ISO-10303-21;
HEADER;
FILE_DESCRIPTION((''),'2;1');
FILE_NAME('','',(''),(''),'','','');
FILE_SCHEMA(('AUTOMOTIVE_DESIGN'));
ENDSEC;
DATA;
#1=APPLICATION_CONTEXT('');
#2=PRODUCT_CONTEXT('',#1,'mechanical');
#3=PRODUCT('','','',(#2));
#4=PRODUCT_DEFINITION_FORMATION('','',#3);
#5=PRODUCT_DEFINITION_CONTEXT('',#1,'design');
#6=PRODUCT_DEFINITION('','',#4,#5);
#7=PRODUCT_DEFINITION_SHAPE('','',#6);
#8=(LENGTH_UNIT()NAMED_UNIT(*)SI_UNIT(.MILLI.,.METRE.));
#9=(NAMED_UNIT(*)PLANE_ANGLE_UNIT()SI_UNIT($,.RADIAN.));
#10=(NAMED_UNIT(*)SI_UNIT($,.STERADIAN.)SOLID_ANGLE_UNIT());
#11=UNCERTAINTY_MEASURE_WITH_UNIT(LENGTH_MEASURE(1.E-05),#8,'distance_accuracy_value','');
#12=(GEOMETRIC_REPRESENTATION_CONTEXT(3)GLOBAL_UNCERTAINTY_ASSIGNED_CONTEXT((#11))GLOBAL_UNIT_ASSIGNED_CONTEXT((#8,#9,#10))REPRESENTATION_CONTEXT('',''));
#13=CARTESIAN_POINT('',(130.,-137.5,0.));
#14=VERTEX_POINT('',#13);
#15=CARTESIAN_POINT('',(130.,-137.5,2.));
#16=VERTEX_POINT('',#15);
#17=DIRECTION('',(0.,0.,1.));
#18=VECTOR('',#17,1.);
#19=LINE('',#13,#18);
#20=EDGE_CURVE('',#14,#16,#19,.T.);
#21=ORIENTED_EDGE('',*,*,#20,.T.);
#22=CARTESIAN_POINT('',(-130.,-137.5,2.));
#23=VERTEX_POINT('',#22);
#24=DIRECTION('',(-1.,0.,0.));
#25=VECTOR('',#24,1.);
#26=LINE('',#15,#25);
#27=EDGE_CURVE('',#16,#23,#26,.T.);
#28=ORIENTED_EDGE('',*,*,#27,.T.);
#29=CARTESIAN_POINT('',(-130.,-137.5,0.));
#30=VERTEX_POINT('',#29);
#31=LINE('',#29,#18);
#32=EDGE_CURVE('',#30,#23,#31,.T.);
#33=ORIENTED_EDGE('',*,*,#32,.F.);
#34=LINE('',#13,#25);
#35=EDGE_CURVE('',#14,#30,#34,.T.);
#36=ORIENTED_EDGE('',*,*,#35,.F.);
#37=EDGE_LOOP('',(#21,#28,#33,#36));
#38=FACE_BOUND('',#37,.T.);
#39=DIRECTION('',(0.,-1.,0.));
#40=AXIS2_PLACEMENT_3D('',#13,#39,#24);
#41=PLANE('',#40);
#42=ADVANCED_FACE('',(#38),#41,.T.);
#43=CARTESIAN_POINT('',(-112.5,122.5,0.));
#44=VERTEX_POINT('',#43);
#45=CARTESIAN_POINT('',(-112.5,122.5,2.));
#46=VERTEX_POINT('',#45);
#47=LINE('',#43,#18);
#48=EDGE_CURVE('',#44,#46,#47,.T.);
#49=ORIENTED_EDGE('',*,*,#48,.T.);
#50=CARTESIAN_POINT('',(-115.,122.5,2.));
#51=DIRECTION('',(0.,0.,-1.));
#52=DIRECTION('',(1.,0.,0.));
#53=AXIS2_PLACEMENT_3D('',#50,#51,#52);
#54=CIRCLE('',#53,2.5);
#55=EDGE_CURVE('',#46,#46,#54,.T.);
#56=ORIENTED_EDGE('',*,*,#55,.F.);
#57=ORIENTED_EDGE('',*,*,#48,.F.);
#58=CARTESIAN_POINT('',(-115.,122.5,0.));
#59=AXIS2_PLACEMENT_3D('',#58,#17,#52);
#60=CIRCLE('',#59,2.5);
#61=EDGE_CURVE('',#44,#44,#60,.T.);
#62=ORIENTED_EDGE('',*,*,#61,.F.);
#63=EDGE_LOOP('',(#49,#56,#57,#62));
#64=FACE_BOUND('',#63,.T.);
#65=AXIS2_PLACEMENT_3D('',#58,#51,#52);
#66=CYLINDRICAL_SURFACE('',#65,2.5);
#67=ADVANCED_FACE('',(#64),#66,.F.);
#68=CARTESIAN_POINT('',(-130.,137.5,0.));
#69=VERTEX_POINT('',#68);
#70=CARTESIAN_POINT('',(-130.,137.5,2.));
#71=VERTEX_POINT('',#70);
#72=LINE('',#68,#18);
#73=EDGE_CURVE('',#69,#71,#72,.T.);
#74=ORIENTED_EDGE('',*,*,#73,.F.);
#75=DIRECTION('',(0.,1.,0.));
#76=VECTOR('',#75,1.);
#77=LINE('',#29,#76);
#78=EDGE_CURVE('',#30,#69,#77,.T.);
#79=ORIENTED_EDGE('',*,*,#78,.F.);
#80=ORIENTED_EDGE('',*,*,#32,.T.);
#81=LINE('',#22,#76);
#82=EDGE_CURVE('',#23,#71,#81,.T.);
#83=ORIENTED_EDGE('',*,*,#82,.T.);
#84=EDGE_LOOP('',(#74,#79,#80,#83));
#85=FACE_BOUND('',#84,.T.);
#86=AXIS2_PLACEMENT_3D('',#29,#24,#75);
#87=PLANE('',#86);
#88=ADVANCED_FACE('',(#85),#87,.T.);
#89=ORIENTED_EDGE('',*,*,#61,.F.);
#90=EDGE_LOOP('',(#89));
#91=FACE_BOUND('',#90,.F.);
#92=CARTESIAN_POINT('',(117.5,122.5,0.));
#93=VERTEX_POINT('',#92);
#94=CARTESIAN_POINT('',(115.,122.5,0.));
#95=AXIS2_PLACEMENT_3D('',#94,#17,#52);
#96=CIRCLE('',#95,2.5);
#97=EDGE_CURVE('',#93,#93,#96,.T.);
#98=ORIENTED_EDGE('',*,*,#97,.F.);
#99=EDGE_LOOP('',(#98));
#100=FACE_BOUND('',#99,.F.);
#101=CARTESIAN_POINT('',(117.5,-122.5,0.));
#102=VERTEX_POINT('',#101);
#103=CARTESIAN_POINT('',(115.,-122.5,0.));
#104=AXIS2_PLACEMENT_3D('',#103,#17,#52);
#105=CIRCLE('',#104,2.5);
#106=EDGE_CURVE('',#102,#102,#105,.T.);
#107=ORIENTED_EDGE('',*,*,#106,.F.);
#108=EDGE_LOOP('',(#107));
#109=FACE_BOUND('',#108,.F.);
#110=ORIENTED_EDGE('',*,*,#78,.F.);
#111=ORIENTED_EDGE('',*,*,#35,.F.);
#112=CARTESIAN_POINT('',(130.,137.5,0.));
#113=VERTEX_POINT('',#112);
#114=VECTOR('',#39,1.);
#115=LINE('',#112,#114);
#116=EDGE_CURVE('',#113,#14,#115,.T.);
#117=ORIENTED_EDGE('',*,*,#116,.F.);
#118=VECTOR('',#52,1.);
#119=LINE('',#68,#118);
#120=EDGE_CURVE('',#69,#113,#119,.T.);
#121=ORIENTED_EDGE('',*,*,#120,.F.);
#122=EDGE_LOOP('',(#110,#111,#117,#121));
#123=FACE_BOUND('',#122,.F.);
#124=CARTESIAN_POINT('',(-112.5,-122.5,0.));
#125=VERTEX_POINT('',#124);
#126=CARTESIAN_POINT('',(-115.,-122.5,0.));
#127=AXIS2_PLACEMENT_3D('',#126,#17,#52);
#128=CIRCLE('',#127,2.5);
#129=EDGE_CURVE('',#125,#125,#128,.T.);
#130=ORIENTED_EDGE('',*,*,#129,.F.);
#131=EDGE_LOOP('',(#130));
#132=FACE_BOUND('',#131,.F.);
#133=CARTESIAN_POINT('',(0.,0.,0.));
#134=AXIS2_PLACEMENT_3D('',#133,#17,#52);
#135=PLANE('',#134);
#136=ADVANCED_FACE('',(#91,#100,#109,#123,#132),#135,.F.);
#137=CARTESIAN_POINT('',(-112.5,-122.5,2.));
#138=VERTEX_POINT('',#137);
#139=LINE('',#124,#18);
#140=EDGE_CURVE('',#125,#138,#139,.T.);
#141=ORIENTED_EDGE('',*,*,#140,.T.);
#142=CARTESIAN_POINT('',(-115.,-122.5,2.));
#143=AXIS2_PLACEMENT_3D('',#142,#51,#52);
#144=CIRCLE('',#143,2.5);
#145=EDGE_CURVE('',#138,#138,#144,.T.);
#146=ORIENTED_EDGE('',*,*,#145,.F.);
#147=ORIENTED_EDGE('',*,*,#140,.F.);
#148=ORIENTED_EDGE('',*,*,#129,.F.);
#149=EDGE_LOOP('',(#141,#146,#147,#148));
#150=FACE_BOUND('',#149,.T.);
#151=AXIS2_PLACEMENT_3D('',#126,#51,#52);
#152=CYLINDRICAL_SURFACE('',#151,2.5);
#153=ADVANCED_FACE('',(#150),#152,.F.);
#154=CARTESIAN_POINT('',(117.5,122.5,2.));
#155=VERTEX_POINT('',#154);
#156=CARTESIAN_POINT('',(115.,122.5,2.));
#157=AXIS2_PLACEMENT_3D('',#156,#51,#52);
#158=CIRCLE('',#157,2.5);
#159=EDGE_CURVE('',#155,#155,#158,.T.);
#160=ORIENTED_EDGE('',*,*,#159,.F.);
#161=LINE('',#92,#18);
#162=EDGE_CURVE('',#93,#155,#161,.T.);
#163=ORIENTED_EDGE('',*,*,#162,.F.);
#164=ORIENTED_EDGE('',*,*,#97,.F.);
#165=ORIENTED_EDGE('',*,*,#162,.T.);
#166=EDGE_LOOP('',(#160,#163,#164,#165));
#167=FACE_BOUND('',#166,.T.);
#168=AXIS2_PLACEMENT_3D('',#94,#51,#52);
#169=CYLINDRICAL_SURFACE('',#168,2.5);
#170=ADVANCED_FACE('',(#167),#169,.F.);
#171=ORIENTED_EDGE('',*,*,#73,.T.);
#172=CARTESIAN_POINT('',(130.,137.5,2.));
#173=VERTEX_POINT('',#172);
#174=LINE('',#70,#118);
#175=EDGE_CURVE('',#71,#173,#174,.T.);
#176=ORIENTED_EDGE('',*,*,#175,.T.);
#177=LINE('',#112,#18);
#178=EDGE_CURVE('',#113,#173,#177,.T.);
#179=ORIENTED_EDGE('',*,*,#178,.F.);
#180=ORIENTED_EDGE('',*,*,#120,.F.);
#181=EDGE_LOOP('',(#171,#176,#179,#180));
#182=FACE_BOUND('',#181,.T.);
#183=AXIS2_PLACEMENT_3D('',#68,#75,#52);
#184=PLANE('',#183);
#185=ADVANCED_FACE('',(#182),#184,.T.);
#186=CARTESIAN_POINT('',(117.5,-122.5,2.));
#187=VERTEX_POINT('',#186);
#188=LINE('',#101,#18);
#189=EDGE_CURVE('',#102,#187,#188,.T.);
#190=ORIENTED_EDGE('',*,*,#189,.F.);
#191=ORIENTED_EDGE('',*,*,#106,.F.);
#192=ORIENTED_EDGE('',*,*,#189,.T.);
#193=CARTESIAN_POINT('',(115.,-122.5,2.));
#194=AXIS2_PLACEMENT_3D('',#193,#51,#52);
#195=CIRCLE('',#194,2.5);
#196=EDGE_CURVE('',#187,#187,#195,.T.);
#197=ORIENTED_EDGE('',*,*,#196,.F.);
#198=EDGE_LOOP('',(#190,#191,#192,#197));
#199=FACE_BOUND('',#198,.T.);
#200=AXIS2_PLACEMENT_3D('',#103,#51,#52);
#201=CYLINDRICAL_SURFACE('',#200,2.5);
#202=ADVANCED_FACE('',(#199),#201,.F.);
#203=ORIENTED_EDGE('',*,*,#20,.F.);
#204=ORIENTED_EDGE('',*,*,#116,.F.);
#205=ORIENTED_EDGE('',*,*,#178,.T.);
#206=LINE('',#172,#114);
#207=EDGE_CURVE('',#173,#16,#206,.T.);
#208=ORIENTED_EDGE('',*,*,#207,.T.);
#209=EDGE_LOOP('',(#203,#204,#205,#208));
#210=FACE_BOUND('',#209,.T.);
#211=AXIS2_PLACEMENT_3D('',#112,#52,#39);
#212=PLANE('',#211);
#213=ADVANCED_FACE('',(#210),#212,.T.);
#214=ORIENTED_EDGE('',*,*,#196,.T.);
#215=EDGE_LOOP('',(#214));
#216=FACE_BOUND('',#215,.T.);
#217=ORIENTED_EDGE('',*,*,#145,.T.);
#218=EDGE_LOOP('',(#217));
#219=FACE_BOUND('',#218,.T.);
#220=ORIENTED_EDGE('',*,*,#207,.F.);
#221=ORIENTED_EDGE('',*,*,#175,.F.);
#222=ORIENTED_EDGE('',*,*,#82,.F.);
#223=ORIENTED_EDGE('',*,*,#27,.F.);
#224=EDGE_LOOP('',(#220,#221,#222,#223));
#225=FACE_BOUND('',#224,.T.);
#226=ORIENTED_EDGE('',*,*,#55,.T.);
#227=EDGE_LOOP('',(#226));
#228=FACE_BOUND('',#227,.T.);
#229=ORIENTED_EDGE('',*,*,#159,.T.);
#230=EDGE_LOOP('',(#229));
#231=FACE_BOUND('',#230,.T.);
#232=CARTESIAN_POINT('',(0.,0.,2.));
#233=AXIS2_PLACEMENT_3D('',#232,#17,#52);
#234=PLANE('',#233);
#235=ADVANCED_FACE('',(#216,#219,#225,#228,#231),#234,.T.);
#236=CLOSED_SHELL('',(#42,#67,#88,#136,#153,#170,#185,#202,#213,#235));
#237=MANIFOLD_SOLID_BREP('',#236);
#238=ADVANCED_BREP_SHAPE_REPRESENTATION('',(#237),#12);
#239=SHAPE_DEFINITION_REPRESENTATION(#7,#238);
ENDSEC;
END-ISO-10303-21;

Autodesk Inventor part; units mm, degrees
ref_plane "YZ Plane" through (0, 0, 0) normal (1, 0, 0) x (0, 1, 0)
ref_plane "XZ Plane" through (0, 0, 0) normal (0, 1, 0) x (-1, 0, 0)
ref_plane "XY Plane" through (0, 0, 0) normal (0, 0, 1) x (1, 0, 0)
sketch "Esquisse1" plane through (0, 0, 0) normal (0, 0, 1) x (1, 0, 0)
  line L0 (-130, 137.5) -> (130, 137.5)
  line L1 (130, 137.5) -> (130, -137.5)
  line L2 (130, -137.5) -> (-130, -137.5)
  line L3 (-130, -137.5) -> (-130, 137.5)
  line L4 (-130, 137.5) -> (130, -137.5) construction
  line L5 (130, 137.5) -> (-130, -137.5) construction
  line L6 (-117.5, -125) -> (117.5, -125)
  line L7 (117.5, -125) -> (117.5, 125)
  line L8 (117.5, 125) -> (-117.5, 125)
  line L9 (-117.5, 125) -> (-117.5, -125)
  line L10 (-117.5, -125) -> (117.5, 125) construction
  line L11 (117.5, -125) -> (-117.5, 125) construction
  circle A0 centre (-115, 122.5) radius 2.5
  circle A1 centre (115, 122.5) radius 2.5
  circle A2 centre (-115, -122.5) radius 2.5
  circle A3 centre (115, -122.5) radius 2.5
  point P0 (0, 0)
  dimension "d0" = 260
  dimension "d1" = 275
  dimension "d2" = 12.5
  dimension "d3" = 12.5
  dimension "d4" = 5
  dimension "d5" = 5
  dimension "d6" = 5
  dimension "d7" = 5
extrude "Extrusion1" add sketch "Esquisse1" along normal blind 2 contours L0 L1 L2 L3 | L9 A2 L6 | A2 L9 A0 L8 A1 L7 A3 L6 | A3 L7 L6 | L9 L8 A0 | A1 L8 L7
properties part number "PlaqueArmoire"
